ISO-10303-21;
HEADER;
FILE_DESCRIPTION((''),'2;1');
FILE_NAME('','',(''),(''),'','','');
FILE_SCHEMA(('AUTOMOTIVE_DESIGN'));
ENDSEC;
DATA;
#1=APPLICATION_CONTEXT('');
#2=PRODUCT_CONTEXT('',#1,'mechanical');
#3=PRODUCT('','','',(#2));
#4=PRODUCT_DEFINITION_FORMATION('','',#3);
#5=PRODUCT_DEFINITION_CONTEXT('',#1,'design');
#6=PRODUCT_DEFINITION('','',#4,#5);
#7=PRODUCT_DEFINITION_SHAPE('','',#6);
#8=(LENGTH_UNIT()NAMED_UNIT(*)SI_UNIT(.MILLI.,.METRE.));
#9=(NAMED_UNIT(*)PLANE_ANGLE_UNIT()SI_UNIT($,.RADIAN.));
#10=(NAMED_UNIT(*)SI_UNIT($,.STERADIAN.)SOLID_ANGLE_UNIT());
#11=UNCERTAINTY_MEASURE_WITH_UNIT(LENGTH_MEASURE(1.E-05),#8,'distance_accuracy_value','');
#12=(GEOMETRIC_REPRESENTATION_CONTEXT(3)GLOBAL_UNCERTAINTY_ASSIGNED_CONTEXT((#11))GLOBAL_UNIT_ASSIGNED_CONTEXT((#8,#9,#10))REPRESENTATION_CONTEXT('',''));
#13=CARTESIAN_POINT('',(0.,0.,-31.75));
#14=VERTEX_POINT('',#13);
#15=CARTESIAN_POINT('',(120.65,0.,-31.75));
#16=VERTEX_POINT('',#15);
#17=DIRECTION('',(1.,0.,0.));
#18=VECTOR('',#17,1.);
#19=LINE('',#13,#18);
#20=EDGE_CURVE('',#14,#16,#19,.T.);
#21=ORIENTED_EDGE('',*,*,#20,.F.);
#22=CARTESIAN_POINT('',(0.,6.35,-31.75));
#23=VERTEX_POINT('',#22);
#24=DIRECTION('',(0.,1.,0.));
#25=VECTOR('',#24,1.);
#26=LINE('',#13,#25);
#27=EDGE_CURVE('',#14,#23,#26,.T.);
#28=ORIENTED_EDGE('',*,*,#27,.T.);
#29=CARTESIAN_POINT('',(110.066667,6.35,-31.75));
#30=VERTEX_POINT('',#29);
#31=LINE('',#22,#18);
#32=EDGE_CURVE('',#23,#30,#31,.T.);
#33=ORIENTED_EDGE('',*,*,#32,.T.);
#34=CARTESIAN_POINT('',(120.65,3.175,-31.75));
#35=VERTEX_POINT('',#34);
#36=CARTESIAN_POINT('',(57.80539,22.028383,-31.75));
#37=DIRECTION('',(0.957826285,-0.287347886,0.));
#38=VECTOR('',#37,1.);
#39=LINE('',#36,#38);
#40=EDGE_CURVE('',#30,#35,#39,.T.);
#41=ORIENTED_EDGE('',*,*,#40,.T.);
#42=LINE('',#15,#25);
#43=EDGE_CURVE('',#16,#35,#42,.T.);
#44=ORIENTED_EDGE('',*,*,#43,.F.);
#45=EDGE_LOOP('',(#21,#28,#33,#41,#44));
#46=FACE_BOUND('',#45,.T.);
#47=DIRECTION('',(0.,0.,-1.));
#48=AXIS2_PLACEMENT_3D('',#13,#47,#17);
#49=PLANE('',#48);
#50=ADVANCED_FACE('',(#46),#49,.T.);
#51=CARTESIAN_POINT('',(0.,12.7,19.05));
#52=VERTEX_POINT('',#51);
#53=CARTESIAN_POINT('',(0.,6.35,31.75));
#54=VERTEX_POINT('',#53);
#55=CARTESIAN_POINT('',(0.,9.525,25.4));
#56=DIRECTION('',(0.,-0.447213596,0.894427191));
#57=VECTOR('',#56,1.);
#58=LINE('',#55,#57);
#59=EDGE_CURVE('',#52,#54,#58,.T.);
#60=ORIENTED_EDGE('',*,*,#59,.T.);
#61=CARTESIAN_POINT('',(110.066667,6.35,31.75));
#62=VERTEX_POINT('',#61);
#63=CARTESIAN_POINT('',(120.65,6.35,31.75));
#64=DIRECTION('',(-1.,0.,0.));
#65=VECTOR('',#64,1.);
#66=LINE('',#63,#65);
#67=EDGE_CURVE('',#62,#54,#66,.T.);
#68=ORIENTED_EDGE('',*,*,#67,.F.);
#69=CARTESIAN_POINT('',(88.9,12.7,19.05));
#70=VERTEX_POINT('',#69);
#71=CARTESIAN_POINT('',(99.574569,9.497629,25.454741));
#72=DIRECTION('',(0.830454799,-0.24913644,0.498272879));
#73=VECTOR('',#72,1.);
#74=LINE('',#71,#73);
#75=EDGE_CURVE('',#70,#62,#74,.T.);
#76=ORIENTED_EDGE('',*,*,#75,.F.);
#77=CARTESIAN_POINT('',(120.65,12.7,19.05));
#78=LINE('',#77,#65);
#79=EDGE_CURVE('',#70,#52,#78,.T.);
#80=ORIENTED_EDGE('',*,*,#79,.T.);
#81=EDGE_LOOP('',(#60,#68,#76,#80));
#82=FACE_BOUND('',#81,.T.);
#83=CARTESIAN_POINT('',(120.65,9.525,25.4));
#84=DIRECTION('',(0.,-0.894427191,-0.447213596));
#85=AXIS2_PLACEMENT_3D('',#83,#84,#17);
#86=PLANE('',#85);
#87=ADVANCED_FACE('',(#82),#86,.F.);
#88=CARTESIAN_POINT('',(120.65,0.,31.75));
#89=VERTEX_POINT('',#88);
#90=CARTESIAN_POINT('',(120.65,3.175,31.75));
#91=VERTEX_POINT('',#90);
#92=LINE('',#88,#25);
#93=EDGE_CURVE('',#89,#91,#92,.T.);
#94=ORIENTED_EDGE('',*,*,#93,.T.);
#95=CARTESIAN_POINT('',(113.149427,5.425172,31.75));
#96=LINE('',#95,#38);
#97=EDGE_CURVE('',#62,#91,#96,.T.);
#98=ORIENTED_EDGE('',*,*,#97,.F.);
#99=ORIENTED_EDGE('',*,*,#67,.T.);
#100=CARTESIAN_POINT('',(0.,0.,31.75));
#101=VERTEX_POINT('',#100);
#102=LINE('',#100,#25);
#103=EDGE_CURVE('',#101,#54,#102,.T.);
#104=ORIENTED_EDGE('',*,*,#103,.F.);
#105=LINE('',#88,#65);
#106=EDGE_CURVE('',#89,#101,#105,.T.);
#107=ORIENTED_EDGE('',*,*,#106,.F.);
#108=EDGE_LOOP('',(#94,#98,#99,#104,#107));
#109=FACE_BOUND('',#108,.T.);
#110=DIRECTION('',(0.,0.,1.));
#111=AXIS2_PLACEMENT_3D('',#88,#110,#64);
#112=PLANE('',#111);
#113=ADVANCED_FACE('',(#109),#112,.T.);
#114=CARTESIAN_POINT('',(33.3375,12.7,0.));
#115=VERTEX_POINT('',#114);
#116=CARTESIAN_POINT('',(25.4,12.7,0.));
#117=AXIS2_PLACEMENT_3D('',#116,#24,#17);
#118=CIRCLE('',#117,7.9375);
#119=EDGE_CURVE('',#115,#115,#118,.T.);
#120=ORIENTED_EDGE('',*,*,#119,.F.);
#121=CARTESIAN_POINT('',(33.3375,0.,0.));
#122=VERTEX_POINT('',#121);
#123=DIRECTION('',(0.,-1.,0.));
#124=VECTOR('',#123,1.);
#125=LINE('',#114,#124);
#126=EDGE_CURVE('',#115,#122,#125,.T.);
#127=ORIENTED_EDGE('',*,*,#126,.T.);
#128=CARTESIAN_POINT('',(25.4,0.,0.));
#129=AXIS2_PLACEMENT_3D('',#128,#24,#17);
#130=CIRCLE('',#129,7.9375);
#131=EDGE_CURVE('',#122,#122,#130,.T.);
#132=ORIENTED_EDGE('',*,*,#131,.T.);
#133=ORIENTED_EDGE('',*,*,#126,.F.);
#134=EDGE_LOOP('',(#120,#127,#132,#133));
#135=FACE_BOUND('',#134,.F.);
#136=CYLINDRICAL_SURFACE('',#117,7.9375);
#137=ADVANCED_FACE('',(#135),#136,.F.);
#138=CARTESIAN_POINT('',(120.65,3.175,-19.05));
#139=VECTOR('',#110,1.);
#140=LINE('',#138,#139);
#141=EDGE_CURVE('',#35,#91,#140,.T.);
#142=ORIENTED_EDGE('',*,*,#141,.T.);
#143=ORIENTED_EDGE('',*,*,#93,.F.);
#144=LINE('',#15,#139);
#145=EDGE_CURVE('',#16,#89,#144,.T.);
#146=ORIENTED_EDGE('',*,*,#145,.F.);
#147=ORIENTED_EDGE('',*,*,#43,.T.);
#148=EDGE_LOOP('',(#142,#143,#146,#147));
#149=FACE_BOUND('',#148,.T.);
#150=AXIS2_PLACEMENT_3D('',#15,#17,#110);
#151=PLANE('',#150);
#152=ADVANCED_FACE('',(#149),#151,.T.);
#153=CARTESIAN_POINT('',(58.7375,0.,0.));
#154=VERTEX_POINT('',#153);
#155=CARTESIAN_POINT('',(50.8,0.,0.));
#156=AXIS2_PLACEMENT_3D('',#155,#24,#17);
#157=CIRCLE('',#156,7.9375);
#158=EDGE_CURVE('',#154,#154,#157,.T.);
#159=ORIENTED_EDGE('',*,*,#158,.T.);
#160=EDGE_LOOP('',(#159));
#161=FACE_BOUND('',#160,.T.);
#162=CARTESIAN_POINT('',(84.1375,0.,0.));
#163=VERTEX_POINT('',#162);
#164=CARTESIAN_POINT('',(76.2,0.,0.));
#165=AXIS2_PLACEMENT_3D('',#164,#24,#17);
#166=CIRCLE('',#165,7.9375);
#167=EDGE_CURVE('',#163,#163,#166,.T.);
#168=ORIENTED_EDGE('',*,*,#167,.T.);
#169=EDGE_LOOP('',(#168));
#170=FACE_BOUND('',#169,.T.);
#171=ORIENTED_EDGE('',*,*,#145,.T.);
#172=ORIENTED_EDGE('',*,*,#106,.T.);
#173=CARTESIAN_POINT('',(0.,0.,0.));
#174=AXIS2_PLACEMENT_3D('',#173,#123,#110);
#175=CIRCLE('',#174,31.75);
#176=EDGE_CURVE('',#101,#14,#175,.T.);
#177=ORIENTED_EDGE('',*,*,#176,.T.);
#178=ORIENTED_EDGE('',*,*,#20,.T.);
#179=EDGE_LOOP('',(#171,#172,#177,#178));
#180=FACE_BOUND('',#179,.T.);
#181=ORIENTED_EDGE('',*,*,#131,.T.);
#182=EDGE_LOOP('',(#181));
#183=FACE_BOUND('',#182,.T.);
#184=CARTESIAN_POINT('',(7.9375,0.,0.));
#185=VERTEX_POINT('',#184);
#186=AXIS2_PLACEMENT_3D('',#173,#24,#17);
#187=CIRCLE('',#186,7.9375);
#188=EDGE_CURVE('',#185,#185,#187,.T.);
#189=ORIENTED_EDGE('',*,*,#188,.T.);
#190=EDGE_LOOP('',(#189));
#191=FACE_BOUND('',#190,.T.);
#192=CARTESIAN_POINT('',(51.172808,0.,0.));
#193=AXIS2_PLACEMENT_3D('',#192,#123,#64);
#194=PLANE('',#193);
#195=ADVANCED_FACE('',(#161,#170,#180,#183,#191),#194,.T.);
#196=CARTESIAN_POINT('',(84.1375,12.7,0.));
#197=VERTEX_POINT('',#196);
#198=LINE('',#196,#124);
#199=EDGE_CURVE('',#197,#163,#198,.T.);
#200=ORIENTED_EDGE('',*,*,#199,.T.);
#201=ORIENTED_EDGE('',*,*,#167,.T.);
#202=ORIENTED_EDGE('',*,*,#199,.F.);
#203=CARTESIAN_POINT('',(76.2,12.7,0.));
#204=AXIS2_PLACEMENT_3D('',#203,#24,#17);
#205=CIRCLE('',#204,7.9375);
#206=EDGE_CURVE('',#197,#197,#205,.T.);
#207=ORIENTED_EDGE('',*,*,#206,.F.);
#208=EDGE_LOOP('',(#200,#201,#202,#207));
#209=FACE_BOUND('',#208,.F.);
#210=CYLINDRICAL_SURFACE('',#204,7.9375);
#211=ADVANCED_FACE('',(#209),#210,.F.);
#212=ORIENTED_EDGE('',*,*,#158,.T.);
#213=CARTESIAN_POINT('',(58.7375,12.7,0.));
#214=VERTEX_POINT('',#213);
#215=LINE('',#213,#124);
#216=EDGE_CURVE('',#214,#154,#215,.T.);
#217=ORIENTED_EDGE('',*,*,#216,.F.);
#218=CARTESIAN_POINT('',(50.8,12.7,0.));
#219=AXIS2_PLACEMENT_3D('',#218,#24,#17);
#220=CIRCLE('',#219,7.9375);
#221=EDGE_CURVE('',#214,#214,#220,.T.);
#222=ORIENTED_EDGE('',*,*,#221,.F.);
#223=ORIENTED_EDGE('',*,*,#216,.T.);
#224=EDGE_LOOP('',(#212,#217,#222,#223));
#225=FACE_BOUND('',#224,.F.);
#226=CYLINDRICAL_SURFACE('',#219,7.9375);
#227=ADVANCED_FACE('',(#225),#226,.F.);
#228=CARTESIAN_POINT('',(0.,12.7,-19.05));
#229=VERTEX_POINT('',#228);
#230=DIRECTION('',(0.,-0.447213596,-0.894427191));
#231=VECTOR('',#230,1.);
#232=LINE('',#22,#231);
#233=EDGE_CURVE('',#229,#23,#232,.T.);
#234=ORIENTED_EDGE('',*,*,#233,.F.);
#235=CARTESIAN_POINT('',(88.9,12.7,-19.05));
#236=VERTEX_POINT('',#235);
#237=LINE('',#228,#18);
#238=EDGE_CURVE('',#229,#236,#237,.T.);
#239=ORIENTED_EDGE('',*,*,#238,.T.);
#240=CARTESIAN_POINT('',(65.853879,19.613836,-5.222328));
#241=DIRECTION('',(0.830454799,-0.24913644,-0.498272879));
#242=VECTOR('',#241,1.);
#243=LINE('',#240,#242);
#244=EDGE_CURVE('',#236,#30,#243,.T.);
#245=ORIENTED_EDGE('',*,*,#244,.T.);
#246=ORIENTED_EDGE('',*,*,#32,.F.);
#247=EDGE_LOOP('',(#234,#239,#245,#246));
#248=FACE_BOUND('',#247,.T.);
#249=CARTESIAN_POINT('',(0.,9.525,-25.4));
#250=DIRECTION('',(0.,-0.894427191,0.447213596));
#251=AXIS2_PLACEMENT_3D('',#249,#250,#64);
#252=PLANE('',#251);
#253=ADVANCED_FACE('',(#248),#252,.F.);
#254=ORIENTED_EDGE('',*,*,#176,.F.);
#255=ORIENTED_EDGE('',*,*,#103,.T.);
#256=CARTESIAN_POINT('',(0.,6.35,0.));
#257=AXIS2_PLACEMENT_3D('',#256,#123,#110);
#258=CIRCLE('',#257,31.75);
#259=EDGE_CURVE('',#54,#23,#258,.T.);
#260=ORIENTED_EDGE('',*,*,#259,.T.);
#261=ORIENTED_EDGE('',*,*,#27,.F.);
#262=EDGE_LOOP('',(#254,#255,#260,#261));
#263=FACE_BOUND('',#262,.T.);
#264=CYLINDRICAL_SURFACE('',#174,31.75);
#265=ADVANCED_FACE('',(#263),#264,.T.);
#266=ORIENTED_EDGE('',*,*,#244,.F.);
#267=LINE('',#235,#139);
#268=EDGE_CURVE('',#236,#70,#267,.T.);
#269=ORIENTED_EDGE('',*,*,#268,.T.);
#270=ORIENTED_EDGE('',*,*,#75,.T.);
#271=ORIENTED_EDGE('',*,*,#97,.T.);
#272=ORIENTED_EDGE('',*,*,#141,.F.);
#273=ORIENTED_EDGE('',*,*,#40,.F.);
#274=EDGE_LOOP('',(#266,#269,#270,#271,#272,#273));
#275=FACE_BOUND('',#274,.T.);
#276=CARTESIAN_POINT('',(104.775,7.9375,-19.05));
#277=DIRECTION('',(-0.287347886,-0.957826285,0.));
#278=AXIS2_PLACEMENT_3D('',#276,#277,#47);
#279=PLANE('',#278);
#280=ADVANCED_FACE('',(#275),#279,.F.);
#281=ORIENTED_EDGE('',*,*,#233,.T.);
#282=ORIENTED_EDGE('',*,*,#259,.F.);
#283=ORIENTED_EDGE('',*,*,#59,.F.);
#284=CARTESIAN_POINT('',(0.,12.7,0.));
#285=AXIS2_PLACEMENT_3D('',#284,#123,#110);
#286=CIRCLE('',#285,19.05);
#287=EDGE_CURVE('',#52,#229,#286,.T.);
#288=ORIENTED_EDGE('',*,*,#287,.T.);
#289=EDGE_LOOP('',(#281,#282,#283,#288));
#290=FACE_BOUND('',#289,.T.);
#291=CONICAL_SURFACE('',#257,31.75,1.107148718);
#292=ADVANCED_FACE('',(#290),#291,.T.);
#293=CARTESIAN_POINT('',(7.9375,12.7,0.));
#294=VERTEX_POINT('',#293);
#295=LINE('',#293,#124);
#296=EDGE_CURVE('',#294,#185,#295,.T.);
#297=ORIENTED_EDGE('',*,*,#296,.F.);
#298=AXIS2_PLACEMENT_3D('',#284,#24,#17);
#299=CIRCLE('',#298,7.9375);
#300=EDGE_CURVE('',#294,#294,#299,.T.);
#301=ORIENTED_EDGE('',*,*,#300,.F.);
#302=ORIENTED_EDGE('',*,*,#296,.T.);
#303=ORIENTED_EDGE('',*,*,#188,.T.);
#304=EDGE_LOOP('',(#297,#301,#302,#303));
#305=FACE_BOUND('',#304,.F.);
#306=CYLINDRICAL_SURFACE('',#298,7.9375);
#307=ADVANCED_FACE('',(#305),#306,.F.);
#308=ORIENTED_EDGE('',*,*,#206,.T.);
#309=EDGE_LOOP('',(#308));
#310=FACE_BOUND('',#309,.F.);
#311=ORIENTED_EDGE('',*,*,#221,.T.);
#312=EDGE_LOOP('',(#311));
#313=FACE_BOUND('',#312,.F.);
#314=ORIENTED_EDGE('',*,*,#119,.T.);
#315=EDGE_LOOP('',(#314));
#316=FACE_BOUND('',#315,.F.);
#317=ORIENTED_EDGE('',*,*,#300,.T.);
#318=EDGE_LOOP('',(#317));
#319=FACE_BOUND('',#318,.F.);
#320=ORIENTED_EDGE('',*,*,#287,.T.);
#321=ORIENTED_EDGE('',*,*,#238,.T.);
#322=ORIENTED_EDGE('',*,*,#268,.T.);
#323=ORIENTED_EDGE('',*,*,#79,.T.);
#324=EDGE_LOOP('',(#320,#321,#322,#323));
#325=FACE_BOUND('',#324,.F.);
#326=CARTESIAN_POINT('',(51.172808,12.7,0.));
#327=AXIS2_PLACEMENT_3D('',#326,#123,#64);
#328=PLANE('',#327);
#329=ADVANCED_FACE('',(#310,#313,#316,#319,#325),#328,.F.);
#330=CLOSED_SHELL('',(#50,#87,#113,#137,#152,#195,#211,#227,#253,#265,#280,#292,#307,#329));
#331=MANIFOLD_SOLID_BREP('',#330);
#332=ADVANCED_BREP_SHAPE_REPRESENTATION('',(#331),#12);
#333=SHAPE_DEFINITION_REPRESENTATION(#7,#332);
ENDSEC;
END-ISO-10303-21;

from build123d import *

# Parameters (mm, degrees)
BOSS_EXTRUDE1_DEPTH = 12.7
CHAMFER2_SIZE       = 12.7
CHAMFER2_SIZE2      = 6.35
CHAMFER3_SIZE       = 31.75
CHAMFER3_SIZE2      = 9.525
SKETCH2_R           = 7.9375
CUT_EXTRUDE1_DEPTH  = 13.7


with BuildPart() as part:
    # Sketch1 → Boss-Extrude1 (new body)
    with BuildSketch(Plane(origin=(0, 0, 0), x_dir=(1, 0, 0), z_dir=(0, 1, 0))):
        with BuildLine():
            Line((0, 31.75), (120.65, 31.75))
            Line((120.65, 31.75), (120.65, -31.75))
            Line((120.65, -31.75), (0, -31.75))
            ThreePointArc((0, -31.75), (-31.75, 0), (0, 31.75))
        make_face()
    extrude(amount=BOSS_EXTRUDE1_DEPTH)

    # Chamfer2
    chamfer2_edges = [part.edges().sort_by_distance(p)[0] for p in [
        (60.325, 12.7, 31.75),
        (-31.75, 12.7, 0),
        (60.325, 12.7, -31.75),
    ]]
    chamfer2_side = [part.faces().sort_by_distance(p)[0] for p in [
        (47.684335989, 12.7, 0),
    ]]
    chamfer(chamfer2_edges, length=CHAMFER2_SIZE, length2=CHAMFER2_SIZE2, reference=chamfer2_side[0])

    # Chamfer3
    chamfer3_edges = [part.edges().sort_by_distance(p)[0] for p in [
        (120.65, 12.7, 0),
    ]]
    chamfer3_side = [part.faces().sort_by_distance(p)[0] for p in [
        (52.777427201, 12.7, 0),
    ]]
    chamfer(chamfer3_edges, length=CHAMFER3_SIZE, length2=CHAMFER3_SIZE2, reference=chamfer3_side[0])

    # Sketch2 → Cut-Extrude1 (cut, through all)
    with BuildSketch(Plane(origin=(0, 12.7, 0), x_dir=(1, 0, 0), z_dir=(0, 1, 0))):
        Circle(SKETCH2_R)
        with Locations((25.4, 0)):
            Circle(SKETCH2_R)
        with Locations((50.8, 0)):
            Circle(SKETCH2_R)
        with Locations((76.2, 0)):
            Circle(SKETCH2_R)
    extrude(amount=-CUT_EXTRUDE1_DEPTH, mode=Mode.SUBTRACT)


solid = part.part
